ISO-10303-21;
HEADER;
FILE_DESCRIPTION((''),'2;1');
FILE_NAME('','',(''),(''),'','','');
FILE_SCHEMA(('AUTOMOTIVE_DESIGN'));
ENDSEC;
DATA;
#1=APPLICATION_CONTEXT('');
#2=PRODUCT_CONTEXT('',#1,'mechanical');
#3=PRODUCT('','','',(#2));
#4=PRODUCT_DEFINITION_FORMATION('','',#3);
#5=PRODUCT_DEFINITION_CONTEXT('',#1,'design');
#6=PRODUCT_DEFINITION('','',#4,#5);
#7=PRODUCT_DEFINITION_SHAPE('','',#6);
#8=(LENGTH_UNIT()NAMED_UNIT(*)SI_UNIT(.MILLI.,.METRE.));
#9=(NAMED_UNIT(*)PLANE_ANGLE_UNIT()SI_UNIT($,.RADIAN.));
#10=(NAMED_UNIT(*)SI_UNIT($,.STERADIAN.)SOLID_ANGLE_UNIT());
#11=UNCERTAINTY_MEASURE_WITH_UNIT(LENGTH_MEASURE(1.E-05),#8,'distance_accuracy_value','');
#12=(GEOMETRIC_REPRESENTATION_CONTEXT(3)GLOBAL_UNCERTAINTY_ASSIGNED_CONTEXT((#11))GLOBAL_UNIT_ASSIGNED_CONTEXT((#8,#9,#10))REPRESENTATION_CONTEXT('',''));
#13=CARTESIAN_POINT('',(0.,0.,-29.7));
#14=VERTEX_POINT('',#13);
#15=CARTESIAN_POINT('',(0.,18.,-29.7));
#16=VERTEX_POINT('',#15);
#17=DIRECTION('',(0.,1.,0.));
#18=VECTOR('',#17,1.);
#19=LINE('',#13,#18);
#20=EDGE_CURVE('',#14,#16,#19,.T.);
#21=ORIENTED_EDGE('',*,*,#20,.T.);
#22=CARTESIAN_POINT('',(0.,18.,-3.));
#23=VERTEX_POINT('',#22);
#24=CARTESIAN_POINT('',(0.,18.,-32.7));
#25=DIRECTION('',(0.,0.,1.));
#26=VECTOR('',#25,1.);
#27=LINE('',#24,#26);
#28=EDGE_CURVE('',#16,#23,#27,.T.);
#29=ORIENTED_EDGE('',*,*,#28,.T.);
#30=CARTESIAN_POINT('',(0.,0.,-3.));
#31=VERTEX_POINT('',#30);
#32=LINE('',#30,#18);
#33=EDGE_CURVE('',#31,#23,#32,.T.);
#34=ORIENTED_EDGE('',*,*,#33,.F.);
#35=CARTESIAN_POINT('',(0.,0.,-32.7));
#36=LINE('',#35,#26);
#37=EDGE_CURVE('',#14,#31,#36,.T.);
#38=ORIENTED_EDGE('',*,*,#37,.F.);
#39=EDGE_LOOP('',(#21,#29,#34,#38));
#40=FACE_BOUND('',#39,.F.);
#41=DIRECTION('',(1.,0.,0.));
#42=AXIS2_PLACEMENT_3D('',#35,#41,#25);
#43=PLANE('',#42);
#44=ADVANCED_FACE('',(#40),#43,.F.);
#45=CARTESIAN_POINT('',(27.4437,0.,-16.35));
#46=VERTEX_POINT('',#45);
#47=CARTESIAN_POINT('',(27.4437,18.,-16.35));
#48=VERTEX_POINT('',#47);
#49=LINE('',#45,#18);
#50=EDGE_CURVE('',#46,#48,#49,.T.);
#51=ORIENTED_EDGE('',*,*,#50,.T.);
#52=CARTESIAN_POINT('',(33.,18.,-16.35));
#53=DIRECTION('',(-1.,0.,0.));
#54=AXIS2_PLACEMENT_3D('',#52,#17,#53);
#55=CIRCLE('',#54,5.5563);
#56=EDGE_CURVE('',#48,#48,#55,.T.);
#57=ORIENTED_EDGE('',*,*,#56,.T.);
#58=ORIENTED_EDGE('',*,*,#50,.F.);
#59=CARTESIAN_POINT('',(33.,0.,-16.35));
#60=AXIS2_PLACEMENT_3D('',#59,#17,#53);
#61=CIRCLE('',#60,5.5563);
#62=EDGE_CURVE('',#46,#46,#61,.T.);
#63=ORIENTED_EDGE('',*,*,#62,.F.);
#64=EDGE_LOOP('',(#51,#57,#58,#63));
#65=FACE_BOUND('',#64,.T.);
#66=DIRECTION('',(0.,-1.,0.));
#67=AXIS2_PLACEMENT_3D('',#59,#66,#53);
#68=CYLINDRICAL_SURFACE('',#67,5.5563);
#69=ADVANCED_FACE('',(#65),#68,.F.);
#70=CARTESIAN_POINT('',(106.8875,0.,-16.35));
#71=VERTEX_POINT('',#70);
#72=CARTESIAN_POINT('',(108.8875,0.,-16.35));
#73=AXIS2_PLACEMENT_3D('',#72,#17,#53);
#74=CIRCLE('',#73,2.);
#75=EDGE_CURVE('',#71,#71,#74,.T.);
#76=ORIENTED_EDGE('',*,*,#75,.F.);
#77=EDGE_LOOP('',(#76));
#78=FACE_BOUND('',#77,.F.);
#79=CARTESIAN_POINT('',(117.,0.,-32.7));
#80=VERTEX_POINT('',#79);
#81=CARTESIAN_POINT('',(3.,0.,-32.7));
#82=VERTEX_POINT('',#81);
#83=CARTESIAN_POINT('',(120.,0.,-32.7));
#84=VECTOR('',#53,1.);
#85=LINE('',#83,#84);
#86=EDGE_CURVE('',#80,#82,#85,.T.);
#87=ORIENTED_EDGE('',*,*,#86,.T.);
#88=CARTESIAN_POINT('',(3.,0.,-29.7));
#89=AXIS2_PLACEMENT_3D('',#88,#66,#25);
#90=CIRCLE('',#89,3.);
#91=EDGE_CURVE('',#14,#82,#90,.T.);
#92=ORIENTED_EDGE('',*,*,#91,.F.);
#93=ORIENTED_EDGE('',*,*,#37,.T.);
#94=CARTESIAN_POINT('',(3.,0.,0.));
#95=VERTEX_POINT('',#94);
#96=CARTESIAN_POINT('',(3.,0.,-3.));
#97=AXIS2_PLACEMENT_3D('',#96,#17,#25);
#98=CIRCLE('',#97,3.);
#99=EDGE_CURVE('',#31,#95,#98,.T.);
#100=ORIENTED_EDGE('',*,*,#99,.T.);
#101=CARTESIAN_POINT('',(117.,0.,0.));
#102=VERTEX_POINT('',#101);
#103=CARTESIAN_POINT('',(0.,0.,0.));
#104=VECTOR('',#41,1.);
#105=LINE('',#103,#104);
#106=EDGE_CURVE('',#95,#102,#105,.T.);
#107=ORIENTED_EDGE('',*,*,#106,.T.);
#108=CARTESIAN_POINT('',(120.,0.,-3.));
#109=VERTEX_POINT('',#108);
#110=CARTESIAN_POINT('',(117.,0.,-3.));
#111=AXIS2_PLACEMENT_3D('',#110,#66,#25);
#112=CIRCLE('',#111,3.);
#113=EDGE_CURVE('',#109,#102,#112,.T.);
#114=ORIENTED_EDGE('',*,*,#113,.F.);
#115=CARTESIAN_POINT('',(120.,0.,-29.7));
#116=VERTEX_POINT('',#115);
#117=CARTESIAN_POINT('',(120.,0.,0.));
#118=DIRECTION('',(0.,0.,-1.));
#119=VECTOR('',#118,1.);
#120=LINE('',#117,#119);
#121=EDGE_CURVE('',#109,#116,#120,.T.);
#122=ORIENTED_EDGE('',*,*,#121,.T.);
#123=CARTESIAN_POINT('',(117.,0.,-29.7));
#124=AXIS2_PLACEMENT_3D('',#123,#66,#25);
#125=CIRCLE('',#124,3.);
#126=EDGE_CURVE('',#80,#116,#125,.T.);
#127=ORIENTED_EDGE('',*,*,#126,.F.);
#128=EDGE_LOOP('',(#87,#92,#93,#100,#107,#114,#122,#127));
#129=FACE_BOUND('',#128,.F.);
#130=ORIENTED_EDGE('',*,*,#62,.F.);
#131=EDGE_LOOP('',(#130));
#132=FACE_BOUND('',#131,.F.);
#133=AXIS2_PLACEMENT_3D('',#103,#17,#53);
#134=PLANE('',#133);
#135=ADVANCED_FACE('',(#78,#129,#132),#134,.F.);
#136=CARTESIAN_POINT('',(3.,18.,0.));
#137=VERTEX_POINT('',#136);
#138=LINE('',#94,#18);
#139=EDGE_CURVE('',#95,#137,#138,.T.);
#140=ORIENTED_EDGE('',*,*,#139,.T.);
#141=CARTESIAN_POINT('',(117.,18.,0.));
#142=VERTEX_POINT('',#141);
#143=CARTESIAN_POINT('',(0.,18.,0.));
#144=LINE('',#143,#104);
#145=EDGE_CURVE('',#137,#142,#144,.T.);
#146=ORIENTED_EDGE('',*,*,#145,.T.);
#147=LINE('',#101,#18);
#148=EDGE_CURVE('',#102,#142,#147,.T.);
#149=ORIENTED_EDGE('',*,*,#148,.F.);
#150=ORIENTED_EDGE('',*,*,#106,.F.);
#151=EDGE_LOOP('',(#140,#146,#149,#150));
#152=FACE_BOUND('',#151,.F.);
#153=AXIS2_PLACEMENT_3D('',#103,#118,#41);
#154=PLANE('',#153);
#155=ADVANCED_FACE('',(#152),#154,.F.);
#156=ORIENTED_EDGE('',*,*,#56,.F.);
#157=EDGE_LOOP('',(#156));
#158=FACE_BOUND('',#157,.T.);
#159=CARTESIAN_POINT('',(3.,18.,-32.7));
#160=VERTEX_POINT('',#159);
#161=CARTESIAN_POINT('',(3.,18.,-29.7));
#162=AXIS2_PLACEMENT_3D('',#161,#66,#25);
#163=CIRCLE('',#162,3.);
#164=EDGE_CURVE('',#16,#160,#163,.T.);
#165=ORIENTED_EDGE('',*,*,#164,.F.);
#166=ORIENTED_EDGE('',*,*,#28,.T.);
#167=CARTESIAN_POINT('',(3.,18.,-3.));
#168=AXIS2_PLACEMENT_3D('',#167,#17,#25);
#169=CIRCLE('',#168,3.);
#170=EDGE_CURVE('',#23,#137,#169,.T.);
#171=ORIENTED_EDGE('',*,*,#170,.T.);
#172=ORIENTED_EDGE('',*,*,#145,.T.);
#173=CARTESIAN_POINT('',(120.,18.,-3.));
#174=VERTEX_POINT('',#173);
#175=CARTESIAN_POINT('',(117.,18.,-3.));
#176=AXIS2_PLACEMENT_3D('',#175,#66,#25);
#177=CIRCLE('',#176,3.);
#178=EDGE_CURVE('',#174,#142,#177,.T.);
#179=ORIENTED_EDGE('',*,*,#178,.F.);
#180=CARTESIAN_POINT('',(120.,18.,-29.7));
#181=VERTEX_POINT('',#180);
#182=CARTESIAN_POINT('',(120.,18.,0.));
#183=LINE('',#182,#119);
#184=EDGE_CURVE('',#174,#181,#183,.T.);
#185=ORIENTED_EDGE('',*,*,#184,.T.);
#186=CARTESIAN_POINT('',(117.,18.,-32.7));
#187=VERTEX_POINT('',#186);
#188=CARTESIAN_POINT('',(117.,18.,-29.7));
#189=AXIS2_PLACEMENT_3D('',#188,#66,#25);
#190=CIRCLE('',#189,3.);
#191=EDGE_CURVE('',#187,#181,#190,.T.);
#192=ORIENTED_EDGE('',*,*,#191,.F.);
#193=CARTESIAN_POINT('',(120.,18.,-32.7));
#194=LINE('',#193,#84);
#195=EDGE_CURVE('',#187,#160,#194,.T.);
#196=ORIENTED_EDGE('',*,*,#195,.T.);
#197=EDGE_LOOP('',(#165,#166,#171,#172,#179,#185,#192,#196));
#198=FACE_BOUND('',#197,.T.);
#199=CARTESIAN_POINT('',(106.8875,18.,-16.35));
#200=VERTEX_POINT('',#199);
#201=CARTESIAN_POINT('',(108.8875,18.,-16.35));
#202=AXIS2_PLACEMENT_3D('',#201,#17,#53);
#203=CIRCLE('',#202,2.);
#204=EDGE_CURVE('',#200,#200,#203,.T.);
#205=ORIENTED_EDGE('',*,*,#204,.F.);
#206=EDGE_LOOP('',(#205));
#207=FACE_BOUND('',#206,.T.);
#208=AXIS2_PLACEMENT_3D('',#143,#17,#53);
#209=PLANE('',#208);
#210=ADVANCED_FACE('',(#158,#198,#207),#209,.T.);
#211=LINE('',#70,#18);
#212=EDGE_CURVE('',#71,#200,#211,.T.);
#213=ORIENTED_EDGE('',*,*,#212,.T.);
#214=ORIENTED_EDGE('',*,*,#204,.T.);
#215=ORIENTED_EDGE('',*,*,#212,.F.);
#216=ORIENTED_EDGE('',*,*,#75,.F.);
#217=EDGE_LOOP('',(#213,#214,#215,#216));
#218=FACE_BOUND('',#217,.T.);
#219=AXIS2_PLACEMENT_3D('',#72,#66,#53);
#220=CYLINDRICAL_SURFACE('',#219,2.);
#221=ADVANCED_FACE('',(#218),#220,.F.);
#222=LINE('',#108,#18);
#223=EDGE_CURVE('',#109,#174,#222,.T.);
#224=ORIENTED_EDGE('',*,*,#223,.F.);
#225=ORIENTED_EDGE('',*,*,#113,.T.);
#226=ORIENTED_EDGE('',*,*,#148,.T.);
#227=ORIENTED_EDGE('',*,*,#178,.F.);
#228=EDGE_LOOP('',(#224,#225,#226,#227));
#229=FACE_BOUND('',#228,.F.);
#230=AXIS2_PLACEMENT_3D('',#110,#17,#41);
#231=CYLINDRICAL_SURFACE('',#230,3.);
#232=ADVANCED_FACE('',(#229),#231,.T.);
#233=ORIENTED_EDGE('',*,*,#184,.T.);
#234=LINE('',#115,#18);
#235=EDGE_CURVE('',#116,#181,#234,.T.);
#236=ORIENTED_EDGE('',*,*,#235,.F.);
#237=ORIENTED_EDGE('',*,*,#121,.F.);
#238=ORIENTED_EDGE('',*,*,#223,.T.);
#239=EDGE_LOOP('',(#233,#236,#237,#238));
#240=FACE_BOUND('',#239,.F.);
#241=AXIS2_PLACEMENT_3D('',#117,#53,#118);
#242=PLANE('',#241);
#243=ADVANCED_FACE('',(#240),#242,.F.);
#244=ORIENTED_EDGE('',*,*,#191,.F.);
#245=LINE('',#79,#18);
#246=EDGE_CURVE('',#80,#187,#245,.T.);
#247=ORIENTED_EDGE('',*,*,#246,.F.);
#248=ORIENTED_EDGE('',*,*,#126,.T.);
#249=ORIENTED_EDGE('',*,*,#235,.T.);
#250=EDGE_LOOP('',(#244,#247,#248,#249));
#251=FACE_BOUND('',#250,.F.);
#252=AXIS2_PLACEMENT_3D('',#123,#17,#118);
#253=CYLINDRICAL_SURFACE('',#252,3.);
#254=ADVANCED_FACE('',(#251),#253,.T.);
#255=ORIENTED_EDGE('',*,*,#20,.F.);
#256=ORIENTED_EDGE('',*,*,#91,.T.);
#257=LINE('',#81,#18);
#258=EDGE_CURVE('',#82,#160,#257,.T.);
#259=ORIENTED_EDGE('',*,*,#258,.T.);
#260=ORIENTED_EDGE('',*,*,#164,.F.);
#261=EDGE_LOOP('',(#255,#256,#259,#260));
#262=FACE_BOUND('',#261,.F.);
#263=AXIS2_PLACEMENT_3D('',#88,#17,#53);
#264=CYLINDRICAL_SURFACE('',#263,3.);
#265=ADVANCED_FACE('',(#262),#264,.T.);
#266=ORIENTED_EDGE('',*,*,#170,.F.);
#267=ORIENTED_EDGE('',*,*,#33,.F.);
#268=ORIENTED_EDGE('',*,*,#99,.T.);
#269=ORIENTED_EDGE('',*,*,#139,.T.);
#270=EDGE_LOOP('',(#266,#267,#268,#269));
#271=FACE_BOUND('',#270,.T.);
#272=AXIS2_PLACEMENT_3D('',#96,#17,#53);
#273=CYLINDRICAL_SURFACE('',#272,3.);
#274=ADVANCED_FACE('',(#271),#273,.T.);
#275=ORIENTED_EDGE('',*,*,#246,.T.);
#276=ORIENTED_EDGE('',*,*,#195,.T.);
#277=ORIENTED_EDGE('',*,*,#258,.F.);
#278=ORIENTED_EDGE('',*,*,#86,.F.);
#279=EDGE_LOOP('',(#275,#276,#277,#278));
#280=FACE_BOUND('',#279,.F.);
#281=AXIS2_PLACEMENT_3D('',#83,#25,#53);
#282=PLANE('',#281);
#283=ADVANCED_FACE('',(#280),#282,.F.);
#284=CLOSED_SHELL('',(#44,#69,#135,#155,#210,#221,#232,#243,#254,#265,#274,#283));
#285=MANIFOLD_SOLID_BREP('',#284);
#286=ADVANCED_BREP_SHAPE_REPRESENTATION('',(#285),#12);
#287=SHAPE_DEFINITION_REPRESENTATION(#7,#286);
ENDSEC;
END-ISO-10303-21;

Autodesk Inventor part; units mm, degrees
ref_plane "YZ Plane" through (0, 0, 0) normal (1, 0, 0) x (0, 1, 0)
ref_plane "XZ Plane" through (0, 0, 0) normal (0, 1, 0) x (-1, 0, 0)
ref_plane "XY Plane" through (0, 0, 0) normal (0, 0, 1) x (1, 0, 0)
sketch "Sketch1" plane through (0, 0, 0) normal (0, 1, 0) x (-1, 0, 0)
  line L0 (0, 0) -> (-120, 0)
  line L1 (-120, 0) -> (-120, -32.7)
  line L2 (-120, -32.7) -> (0, -32.7)
  line L3 (0, -32.7) -> (0, 0)
  circle A0 centre (-33, -16.35) radius 5.5563
  circle A1 centre (-108.8875, -16.35) radius 2
  point P0 (0, -16.35)
  point P1 (-120, -16.35)
  dimension "d0" = 120
  dimension "d1" = 32.7
  dimension "d2" = 33
  dimension "d3" = 11.1125
  dimension "d4" = 11.1125
  dimension "Diametro_eje_pequeño" = 4
extrude "Extrusion1" add sketch "Sketch1" along normal blind 18
fillet "Fillet1" radius 3 4 edges at (0, 9, 0) (120, 9, 0) (120, 9, -32.7) (0, 9, -32.7)
equation "\"d1\" = ancho"
equation "\"d2\" = separacion_grande"
equation "\"d3\" = diametro_interno"
equation "\"d4\" = d3"
equation "\"Diametro_eje_pequeño\" = Diametro_eje_pequeño_1"
equation "\"ancho\" = 32.7"
equation "\"separacion_grande\" = 33"
equation "\"diametro_interno\" = 11.1125"
equation "\"Diametro_eje_pequeño_1\" = 4"
properties part number "Transmisor_grande" material "Aluminum 6061"
